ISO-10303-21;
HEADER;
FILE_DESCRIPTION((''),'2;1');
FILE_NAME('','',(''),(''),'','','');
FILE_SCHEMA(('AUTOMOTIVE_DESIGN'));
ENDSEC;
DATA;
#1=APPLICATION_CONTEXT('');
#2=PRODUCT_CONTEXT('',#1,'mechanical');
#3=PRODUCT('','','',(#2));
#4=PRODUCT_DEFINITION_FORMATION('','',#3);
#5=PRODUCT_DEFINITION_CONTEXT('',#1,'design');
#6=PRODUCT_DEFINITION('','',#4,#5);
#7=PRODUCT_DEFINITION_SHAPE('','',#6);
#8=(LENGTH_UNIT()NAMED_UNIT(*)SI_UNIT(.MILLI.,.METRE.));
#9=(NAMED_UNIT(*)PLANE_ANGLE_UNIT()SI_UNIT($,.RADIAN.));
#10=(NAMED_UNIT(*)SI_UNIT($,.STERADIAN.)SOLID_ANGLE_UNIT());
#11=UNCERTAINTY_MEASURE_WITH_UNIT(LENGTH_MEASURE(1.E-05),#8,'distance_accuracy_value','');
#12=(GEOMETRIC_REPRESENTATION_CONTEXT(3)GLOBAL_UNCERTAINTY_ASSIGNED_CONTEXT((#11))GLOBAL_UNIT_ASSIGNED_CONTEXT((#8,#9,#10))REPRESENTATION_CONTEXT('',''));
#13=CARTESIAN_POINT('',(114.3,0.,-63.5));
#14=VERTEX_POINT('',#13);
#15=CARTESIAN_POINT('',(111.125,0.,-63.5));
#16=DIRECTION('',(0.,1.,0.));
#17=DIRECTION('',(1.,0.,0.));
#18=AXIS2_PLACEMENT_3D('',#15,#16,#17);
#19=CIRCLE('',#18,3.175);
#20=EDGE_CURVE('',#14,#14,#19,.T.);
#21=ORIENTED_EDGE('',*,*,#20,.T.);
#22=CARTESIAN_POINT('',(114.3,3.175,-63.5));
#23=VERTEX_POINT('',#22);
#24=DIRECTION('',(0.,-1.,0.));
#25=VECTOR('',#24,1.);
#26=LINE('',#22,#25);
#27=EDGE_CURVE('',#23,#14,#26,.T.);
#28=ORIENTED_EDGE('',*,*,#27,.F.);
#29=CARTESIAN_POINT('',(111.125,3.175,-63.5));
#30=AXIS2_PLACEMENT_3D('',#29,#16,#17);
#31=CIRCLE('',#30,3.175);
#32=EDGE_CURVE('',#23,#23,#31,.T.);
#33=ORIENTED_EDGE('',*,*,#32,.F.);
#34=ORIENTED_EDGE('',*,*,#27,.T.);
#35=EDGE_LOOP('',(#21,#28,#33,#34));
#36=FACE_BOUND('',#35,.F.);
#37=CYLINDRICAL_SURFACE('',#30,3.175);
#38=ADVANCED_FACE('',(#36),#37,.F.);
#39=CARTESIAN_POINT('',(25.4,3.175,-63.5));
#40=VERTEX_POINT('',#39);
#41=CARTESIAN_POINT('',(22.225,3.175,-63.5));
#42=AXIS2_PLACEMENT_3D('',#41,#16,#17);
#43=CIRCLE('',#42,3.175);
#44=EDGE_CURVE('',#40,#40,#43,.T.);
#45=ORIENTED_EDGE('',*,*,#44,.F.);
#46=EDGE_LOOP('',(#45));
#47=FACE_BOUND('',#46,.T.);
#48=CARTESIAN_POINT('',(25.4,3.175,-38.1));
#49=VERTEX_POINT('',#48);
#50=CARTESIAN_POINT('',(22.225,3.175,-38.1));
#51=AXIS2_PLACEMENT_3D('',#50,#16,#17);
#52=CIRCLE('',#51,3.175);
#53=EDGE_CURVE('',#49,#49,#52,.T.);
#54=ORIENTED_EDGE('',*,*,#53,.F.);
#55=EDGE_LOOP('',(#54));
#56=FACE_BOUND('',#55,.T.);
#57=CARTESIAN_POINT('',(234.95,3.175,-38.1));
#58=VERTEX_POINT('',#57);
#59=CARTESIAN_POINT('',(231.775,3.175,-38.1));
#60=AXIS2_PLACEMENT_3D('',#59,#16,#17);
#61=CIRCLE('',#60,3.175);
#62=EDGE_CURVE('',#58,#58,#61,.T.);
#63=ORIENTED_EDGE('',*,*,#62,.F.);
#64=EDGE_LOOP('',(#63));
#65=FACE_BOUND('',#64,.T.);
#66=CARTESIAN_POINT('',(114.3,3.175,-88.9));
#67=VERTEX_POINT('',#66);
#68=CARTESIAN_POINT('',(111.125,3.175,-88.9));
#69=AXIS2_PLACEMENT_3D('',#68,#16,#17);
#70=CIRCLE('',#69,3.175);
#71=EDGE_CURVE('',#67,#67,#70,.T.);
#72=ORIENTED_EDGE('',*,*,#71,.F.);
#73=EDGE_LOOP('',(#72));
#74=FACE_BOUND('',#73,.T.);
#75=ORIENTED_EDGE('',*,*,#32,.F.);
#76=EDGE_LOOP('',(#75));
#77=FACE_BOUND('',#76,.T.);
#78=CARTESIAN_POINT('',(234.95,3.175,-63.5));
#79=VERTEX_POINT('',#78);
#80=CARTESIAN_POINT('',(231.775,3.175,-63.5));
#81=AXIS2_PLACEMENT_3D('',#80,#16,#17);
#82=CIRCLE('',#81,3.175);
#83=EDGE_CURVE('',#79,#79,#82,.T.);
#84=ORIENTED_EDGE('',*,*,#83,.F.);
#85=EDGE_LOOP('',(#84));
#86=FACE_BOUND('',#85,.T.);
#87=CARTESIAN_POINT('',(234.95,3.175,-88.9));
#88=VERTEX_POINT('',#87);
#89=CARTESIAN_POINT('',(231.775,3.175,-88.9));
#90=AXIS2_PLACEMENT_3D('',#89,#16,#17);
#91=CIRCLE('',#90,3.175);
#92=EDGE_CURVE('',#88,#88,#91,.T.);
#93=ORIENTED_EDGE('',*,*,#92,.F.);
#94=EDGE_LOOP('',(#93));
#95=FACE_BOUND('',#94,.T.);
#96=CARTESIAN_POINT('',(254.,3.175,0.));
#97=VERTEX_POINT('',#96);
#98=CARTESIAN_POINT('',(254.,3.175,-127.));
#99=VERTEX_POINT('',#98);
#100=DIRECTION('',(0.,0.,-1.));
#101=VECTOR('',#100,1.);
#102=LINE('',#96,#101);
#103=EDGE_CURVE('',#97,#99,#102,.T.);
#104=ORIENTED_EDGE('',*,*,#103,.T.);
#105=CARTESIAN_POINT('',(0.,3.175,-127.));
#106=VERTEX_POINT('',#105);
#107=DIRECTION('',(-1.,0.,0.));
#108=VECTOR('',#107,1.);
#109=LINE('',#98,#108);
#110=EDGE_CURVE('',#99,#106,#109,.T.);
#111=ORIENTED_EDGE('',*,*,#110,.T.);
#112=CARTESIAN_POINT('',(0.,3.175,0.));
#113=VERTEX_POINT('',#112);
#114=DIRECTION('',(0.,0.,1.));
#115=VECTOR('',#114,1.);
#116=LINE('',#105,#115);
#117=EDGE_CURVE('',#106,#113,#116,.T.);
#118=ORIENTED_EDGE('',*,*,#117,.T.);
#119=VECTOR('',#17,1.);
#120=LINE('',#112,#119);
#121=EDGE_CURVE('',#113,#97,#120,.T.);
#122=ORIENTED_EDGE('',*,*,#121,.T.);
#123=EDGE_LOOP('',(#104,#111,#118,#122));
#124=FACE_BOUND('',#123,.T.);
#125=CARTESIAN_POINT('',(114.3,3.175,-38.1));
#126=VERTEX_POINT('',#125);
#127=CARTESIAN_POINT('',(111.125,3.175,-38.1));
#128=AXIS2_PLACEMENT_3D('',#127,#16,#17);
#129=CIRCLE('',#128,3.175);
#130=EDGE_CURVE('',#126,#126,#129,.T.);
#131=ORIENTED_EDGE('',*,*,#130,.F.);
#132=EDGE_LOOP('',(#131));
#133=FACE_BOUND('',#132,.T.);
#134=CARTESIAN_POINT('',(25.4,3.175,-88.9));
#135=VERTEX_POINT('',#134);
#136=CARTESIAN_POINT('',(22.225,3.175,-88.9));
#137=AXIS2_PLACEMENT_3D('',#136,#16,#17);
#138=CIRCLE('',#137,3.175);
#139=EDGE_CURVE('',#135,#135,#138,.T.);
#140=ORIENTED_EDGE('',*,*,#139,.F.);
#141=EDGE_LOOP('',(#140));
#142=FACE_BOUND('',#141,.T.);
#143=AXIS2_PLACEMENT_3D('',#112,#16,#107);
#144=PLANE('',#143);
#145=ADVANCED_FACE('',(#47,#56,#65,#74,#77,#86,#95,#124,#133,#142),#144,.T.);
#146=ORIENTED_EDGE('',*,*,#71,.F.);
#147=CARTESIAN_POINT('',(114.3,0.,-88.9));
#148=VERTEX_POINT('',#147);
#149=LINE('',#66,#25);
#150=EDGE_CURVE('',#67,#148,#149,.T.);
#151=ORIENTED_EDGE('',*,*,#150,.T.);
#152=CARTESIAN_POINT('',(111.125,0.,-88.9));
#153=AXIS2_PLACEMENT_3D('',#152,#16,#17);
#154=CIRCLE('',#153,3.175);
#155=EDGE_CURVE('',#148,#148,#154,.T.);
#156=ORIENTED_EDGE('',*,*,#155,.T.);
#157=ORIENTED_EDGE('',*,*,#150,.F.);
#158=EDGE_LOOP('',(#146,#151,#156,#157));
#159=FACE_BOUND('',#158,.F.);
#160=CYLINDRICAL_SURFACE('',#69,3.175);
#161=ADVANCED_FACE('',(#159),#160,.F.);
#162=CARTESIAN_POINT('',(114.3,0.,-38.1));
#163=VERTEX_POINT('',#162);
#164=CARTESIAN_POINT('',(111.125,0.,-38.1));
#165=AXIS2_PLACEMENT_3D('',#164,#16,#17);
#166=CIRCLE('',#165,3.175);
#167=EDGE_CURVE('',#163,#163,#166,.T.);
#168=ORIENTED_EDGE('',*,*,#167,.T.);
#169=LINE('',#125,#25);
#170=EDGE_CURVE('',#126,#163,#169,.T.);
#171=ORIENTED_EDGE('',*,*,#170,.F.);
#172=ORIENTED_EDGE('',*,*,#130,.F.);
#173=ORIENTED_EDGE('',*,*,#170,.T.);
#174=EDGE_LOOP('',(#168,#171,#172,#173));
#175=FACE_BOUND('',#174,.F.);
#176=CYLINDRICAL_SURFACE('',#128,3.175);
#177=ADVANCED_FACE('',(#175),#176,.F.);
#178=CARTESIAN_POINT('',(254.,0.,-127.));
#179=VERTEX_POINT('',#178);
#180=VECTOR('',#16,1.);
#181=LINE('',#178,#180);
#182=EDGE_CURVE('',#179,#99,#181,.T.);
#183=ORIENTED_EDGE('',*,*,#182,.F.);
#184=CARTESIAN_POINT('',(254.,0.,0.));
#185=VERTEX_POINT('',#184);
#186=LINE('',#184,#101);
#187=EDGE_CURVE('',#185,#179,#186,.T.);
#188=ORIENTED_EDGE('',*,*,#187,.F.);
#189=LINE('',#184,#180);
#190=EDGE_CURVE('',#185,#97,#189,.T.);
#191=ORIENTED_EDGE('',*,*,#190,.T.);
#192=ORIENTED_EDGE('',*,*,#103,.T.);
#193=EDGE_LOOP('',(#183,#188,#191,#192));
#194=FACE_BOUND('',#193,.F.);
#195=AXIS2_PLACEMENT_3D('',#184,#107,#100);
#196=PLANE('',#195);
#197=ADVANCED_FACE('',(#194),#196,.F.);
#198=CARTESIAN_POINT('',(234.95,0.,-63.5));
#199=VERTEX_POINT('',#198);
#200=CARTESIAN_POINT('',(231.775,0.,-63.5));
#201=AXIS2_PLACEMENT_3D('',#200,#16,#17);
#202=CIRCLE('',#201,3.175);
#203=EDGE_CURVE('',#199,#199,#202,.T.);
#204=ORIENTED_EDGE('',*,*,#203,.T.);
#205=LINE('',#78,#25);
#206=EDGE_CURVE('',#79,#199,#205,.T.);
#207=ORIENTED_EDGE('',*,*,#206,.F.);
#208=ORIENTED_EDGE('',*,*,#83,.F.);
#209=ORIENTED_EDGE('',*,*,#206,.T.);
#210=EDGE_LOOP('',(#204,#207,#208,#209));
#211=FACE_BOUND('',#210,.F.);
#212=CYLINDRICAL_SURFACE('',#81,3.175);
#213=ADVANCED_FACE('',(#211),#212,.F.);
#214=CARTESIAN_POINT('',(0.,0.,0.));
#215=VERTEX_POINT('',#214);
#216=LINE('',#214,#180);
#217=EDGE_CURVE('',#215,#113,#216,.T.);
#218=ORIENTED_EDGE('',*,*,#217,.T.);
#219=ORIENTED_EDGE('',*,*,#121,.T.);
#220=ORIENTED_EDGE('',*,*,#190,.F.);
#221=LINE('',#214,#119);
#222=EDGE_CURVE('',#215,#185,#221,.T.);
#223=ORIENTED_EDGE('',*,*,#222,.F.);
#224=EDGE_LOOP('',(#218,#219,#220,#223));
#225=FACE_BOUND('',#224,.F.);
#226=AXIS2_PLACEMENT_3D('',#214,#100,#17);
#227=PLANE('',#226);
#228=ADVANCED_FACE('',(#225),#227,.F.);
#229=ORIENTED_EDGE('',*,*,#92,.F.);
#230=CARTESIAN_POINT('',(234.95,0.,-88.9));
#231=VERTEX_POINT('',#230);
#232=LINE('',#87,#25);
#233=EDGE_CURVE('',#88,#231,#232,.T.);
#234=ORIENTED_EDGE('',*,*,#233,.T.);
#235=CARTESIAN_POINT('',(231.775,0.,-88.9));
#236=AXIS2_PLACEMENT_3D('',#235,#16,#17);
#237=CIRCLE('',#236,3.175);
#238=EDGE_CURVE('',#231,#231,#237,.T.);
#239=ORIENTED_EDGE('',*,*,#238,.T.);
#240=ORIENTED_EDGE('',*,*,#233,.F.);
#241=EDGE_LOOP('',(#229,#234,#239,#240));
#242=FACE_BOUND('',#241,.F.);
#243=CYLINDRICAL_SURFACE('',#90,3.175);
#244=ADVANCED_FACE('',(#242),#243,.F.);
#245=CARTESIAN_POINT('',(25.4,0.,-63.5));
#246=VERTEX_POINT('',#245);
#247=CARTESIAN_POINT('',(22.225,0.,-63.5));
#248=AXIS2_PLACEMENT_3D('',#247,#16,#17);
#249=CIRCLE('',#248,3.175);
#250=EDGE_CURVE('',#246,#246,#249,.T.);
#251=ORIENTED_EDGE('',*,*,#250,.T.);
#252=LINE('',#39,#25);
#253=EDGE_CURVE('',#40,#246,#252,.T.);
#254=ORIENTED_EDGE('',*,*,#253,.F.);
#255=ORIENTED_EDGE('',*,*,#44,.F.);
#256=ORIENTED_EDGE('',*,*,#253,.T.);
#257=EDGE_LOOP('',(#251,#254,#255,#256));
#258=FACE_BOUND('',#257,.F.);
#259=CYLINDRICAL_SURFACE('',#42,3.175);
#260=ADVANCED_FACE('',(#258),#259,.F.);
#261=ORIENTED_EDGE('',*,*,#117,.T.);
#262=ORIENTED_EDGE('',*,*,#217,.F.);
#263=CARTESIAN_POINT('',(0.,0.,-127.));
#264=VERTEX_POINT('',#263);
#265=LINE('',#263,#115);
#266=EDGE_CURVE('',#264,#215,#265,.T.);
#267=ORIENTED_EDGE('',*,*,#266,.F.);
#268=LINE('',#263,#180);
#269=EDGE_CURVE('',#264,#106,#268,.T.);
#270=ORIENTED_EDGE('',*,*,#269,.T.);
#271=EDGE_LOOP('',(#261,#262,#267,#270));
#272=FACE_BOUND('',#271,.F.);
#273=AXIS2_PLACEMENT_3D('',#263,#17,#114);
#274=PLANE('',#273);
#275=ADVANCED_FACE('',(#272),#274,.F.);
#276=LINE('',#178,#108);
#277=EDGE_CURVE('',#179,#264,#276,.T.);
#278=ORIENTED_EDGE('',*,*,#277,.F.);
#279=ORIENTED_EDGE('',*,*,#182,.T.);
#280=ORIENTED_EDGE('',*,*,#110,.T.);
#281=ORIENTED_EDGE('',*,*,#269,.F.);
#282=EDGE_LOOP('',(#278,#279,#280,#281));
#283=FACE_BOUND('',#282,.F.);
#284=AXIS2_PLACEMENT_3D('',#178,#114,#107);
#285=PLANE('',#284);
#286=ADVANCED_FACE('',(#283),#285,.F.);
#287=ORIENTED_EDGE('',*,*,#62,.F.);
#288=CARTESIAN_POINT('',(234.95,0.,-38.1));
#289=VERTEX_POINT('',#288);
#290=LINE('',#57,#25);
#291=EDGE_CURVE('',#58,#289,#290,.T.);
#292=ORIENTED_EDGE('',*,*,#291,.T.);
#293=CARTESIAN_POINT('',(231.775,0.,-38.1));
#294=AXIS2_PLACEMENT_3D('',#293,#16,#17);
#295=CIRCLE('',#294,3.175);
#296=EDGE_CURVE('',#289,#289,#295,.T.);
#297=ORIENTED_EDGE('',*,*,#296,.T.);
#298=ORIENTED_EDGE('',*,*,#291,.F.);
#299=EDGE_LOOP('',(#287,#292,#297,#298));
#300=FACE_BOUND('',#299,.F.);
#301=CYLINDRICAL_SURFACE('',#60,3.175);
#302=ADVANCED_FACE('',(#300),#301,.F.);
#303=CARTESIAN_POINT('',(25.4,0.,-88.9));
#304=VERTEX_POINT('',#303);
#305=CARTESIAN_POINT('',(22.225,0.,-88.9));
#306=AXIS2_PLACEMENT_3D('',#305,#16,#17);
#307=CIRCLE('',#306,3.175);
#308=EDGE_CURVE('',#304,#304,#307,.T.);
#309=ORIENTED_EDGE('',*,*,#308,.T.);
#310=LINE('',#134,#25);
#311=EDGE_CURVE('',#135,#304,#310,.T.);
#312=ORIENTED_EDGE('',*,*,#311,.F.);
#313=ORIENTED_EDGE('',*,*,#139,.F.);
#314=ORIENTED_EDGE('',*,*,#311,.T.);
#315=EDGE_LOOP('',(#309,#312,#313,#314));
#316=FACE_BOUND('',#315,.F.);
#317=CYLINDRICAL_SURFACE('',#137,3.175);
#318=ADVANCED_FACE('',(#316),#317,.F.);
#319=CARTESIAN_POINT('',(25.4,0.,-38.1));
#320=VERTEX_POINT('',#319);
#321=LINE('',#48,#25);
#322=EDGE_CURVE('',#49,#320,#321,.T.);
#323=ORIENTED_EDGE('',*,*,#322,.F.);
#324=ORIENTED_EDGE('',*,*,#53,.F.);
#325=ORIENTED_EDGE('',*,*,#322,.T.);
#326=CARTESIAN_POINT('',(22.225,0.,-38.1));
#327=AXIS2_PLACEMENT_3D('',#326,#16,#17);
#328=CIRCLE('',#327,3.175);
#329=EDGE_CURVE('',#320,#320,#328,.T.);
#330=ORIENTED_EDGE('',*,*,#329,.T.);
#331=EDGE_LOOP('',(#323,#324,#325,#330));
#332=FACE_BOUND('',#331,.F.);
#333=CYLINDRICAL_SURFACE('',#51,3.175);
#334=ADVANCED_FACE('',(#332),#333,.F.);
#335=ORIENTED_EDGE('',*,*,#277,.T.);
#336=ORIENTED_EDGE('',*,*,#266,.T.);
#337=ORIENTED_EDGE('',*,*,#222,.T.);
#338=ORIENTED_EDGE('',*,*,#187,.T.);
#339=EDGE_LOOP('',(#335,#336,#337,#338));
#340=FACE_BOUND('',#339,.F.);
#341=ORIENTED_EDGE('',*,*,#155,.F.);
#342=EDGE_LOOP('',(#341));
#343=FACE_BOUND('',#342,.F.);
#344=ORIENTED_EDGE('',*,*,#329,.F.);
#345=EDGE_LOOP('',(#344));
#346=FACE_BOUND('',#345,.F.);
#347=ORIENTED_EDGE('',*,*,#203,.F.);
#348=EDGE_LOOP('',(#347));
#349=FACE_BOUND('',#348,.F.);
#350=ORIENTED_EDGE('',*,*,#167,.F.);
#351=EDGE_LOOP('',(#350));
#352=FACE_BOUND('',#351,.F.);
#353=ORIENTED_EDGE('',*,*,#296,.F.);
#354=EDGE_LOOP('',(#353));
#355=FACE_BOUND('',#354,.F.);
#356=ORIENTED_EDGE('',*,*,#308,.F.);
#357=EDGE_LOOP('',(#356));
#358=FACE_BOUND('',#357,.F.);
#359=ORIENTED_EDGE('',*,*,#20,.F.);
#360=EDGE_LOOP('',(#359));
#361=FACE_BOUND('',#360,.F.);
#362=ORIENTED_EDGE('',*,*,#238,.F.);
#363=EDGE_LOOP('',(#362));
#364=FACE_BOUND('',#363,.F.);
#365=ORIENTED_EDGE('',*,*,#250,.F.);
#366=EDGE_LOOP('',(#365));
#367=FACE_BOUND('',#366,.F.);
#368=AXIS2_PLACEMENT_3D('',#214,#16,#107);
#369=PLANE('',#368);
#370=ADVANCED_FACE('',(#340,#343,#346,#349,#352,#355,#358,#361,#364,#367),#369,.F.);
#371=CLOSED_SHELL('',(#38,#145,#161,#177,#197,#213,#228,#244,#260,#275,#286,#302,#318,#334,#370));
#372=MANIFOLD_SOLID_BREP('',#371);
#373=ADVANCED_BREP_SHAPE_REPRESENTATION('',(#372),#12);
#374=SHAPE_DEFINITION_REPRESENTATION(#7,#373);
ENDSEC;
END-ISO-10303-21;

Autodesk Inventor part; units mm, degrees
ref_plane "YZ Plane" through (0, 0, 0) normal (1, 0, 0) x (0, 1, 0)
ref_plane "XZ Plane" through (0, 0, 0) normal (0, 1, 0) x (-1, 0, 0)
ref_plane "XY Plane" through (0, 0, 0) normal (0, 0, 1) x (1, 0, 0)
sketch "Sketch1" plane through (0, 0, 0) normal (0, 1, 0) x (-1, 0, 0)
  line L0 (0, 0) -> (-254, 0)
  line L1 (-254, 0) -> (-254, -127)
  line L2 (-254, -127) -> (0, -127)
  line L3 (0, -127) -> (0, 0)
  dimension "d0" = 254
  dimension "d3" = 127
extrude "Extrusion1" add sketch "Sketch1" along normal blind 3.175
sketch "Sketch2" plane through (0, 3.175, 0) normal (0, 1, 0) x (1, 0, 0)
  circle A0 centre (22.225, 88.9) radius 3.175
  circle A1 centre (22.225, 63.5) radius 3.175
  circle A2 centre (22.225, 38.1) radius 3.175
  line L0 (0, 127) -> (0, 0) projected
  circle A3 centre (231.775, 63.5) radius 3.175
  circle A4 centre (231.775, 88.9) radius 3.175
  circle A5 centre (231.775, 38.1) radius 3.175
  line L1 (254, 0) -> (254, 127) projected
  circle A6 centre (111.125, 88.9) radius 3.175
  circle A7 centre (111.125, 63.5) radius 3.175
  circle A8 centre (111.125, 38.1) radius 3.175
  point P0 (0, 63.5)
  point P1 (254, 63.5)
  point P2 (0, 63.5)
  dimension "d4" = 6.35
  dimension "d5" = 6.35
  dimension "d6" = 6.35
  dimension "d7" = 22.225
  dimension "d8" = 22.225
  dimension "d9" = 22.225
  dimension "d10" = 25.4
  dimension "d11" = 25.4
  dimension "d12" = 0
  dimension "d13" = 6.35
  dimension "d14" = 6.35
  dimension "d15" = 6.35
  dimension "d16" = 22.225
  dimension "d17" = 22.225
  dimension "d18" = 22.225
  dimension "d19" = 0
  dimension "d20" = 25.4
  dimension "d21" = 25.4
  dimension "d22" = 6.35
  dimension "d23" = 6.35
  dimension "d24" = 6.35
  dimension "d25" = 111.125
  dimension "d26" = 111.125
  dimension "d27" = 111.125
  dimension "d28" = 0
  dimension "d29" = 25.4
  dimension "d30" = 25.4
extrude "Extrusion2" cut sketch "Sketch2" against normal blind 3.175
properties part number "Wedge_piece1" material "Steel"
